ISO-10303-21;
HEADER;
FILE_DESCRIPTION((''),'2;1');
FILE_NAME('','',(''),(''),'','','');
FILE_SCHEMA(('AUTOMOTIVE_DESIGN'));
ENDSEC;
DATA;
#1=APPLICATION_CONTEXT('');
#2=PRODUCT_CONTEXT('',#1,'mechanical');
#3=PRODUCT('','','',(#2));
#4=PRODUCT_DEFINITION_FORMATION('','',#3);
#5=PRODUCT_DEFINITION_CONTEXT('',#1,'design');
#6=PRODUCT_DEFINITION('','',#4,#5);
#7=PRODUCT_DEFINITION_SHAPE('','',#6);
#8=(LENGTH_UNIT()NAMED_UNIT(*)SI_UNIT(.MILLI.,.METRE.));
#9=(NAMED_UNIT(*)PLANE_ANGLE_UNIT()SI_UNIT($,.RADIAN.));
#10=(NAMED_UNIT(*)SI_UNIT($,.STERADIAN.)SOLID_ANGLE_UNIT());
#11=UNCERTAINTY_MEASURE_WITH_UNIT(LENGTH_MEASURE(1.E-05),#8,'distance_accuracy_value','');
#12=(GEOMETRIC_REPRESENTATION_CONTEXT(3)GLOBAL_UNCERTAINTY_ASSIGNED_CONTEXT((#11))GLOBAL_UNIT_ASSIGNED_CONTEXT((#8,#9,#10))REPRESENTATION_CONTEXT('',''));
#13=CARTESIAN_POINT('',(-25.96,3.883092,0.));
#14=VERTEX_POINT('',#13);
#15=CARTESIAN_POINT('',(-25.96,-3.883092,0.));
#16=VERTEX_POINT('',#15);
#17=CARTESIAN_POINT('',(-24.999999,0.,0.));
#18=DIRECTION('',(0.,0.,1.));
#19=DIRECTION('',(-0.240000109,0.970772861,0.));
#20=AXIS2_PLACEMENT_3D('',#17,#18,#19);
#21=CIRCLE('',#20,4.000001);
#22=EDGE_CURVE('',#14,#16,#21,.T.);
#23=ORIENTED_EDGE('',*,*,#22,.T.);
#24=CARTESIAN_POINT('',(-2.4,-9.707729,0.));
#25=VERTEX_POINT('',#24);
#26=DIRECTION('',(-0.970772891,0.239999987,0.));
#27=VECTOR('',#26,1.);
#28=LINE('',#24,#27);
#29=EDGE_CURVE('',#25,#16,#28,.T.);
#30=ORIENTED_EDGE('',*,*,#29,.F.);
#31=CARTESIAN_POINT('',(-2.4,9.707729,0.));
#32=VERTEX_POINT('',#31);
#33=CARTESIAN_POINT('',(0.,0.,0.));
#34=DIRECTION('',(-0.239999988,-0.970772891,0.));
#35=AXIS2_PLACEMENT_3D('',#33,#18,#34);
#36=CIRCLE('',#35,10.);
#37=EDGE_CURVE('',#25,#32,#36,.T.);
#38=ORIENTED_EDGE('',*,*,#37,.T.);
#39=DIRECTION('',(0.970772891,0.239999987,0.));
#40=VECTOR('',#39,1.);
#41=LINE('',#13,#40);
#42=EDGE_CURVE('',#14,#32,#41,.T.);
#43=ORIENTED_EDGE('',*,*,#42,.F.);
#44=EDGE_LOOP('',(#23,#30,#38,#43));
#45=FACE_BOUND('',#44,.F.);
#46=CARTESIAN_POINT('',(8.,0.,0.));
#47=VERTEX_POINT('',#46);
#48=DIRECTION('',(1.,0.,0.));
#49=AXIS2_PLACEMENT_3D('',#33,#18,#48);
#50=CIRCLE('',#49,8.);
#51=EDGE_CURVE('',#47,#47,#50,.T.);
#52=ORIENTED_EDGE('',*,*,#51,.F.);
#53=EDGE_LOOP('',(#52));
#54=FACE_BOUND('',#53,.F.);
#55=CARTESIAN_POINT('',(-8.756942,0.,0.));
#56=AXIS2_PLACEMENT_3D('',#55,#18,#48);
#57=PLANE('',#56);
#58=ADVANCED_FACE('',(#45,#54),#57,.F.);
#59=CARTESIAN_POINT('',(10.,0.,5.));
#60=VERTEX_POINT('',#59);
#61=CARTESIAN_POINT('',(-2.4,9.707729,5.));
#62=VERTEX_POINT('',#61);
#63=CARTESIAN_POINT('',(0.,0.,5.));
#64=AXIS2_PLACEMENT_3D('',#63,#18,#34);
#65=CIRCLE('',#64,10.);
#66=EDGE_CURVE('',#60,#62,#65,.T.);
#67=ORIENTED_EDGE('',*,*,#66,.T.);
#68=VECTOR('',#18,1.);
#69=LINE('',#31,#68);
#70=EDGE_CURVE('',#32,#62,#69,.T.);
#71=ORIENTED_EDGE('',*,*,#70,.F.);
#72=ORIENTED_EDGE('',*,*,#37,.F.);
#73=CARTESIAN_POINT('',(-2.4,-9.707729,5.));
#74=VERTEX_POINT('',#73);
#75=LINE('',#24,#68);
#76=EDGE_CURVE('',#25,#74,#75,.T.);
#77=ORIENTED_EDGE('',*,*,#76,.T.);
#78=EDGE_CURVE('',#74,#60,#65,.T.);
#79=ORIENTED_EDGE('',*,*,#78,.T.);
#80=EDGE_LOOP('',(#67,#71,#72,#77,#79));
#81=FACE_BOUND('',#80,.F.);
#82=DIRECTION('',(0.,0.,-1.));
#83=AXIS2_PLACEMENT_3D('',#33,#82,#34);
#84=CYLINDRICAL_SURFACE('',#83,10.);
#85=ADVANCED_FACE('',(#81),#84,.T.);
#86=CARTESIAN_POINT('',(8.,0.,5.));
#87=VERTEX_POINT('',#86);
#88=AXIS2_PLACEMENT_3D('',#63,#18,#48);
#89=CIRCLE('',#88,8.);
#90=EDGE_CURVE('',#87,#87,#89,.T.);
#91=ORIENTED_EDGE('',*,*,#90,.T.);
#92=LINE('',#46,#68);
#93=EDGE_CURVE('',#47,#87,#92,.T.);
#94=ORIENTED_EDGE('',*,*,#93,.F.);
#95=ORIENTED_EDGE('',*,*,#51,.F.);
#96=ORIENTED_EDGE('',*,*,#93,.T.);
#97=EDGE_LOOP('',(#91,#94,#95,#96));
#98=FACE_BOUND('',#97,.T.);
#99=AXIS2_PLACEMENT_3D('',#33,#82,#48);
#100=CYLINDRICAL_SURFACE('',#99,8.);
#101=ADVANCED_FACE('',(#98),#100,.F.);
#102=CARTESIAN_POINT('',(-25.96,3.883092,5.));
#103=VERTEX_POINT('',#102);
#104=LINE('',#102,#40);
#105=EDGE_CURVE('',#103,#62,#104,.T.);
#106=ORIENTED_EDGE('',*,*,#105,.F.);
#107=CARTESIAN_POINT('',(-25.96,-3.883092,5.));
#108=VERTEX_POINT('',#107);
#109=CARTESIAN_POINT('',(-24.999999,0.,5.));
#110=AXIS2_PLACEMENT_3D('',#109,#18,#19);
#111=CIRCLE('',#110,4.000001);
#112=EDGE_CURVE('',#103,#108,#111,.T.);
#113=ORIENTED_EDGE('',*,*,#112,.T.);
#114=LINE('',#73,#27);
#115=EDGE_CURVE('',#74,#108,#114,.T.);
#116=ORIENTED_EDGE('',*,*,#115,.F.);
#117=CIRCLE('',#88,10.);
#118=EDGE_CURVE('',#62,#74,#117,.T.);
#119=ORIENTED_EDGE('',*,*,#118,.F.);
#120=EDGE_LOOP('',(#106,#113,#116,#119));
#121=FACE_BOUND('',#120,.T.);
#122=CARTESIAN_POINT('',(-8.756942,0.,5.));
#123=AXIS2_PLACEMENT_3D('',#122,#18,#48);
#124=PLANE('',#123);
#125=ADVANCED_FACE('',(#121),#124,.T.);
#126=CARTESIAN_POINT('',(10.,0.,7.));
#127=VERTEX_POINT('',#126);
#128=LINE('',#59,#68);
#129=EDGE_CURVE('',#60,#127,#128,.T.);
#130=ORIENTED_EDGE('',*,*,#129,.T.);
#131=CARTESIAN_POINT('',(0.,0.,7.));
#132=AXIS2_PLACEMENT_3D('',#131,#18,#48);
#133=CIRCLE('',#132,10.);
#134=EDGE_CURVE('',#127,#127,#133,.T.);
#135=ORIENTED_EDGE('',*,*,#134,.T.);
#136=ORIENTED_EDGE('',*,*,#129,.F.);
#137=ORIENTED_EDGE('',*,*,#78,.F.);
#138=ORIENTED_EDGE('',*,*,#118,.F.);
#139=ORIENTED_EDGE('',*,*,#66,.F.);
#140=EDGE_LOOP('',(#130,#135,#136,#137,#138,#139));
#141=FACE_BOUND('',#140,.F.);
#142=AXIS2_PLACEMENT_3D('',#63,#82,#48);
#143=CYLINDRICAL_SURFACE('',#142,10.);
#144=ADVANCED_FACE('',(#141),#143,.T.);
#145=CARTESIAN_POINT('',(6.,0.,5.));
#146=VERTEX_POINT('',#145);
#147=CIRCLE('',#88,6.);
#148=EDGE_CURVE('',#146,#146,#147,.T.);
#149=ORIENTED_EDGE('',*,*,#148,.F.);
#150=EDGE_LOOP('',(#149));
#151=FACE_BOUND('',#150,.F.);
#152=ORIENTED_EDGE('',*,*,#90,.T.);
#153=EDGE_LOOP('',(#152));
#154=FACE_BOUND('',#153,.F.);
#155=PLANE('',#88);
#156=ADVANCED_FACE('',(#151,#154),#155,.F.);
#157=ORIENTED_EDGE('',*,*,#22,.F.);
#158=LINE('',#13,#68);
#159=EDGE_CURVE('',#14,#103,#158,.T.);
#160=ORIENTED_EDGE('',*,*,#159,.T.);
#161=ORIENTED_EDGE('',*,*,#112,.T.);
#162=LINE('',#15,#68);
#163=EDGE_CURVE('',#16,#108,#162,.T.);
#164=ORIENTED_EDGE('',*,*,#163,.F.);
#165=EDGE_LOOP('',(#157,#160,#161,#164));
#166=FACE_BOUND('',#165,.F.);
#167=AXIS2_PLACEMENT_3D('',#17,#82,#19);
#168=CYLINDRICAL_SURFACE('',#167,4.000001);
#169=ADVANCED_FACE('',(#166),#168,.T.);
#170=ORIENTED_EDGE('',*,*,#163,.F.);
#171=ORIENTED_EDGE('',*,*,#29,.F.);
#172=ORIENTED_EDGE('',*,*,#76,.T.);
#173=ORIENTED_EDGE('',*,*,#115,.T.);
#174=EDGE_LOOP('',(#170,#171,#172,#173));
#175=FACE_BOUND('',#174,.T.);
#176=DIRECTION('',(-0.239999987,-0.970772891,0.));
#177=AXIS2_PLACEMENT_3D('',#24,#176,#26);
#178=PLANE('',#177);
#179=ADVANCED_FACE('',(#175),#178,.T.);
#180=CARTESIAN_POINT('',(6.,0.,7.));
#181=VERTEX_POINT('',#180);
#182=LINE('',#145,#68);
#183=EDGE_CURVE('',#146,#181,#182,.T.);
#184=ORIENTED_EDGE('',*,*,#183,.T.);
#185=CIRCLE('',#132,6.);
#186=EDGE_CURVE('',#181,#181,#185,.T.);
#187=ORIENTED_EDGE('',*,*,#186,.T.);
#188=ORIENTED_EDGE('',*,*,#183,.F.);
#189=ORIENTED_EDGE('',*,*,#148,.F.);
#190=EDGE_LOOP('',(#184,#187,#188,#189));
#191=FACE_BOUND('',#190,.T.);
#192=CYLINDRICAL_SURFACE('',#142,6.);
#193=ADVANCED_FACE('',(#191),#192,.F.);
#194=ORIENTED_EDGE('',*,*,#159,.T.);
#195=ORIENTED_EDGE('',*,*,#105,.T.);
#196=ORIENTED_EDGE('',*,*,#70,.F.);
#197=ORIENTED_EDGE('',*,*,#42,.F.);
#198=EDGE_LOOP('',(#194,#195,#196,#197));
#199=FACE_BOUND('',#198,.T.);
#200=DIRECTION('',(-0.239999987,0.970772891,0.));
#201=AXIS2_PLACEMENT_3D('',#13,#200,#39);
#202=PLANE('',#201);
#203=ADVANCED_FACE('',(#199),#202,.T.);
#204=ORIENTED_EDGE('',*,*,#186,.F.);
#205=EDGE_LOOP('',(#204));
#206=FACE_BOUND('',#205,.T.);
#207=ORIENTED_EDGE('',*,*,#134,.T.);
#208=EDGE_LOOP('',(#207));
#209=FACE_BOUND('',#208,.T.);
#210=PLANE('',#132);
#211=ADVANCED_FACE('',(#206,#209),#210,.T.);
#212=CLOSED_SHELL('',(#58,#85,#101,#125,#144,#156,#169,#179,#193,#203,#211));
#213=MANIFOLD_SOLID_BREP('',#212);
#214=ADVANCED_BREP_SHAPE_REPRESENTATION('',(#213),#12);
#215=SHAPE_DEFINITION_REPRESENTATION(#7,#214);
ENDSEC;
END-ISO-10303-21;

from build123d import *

# Parameters (mm, degrees)
SKETCH_R      = 8
PAD_DEPTH     = 5
SKETCH001_R   = 10
SKETCH001_R_2 = 6
PAD001_DEPTH  = 2


with BuildPart() as part:
    # Sketch → Pad (new body)
    with BuildSketch(Plane.XY):
        with BuildLine():
            ThreePointArc((-2.4, -9.707729), (10, 0), (-2.4, 9.707729))
            Line((-25.96, 3.883092), (-2.4, 9.707729))
            ThreePointArc((-25.96, 3.883092), (-29, 0), (-25.96, -3.883092))
            Line((-2.4, -9.707729), (-25.96, -3.883092))
        make_face()
        Circle(SKETCH_R, mode=Mode.SUBTRACT)
    extrude(amount=PAD_DEPTH)

    # Sketch001 (on Face7 of Pad) → Pad001 (join)
    with BuildSketch(Plane.XY.offset(5)):
        Circle(SKETCH001_R)
        Circle(SKETCH001_R_2, mode=Mode.SUBTRACT)
    extrude(amount=PAD001_DEPTH)


solid = part.part
